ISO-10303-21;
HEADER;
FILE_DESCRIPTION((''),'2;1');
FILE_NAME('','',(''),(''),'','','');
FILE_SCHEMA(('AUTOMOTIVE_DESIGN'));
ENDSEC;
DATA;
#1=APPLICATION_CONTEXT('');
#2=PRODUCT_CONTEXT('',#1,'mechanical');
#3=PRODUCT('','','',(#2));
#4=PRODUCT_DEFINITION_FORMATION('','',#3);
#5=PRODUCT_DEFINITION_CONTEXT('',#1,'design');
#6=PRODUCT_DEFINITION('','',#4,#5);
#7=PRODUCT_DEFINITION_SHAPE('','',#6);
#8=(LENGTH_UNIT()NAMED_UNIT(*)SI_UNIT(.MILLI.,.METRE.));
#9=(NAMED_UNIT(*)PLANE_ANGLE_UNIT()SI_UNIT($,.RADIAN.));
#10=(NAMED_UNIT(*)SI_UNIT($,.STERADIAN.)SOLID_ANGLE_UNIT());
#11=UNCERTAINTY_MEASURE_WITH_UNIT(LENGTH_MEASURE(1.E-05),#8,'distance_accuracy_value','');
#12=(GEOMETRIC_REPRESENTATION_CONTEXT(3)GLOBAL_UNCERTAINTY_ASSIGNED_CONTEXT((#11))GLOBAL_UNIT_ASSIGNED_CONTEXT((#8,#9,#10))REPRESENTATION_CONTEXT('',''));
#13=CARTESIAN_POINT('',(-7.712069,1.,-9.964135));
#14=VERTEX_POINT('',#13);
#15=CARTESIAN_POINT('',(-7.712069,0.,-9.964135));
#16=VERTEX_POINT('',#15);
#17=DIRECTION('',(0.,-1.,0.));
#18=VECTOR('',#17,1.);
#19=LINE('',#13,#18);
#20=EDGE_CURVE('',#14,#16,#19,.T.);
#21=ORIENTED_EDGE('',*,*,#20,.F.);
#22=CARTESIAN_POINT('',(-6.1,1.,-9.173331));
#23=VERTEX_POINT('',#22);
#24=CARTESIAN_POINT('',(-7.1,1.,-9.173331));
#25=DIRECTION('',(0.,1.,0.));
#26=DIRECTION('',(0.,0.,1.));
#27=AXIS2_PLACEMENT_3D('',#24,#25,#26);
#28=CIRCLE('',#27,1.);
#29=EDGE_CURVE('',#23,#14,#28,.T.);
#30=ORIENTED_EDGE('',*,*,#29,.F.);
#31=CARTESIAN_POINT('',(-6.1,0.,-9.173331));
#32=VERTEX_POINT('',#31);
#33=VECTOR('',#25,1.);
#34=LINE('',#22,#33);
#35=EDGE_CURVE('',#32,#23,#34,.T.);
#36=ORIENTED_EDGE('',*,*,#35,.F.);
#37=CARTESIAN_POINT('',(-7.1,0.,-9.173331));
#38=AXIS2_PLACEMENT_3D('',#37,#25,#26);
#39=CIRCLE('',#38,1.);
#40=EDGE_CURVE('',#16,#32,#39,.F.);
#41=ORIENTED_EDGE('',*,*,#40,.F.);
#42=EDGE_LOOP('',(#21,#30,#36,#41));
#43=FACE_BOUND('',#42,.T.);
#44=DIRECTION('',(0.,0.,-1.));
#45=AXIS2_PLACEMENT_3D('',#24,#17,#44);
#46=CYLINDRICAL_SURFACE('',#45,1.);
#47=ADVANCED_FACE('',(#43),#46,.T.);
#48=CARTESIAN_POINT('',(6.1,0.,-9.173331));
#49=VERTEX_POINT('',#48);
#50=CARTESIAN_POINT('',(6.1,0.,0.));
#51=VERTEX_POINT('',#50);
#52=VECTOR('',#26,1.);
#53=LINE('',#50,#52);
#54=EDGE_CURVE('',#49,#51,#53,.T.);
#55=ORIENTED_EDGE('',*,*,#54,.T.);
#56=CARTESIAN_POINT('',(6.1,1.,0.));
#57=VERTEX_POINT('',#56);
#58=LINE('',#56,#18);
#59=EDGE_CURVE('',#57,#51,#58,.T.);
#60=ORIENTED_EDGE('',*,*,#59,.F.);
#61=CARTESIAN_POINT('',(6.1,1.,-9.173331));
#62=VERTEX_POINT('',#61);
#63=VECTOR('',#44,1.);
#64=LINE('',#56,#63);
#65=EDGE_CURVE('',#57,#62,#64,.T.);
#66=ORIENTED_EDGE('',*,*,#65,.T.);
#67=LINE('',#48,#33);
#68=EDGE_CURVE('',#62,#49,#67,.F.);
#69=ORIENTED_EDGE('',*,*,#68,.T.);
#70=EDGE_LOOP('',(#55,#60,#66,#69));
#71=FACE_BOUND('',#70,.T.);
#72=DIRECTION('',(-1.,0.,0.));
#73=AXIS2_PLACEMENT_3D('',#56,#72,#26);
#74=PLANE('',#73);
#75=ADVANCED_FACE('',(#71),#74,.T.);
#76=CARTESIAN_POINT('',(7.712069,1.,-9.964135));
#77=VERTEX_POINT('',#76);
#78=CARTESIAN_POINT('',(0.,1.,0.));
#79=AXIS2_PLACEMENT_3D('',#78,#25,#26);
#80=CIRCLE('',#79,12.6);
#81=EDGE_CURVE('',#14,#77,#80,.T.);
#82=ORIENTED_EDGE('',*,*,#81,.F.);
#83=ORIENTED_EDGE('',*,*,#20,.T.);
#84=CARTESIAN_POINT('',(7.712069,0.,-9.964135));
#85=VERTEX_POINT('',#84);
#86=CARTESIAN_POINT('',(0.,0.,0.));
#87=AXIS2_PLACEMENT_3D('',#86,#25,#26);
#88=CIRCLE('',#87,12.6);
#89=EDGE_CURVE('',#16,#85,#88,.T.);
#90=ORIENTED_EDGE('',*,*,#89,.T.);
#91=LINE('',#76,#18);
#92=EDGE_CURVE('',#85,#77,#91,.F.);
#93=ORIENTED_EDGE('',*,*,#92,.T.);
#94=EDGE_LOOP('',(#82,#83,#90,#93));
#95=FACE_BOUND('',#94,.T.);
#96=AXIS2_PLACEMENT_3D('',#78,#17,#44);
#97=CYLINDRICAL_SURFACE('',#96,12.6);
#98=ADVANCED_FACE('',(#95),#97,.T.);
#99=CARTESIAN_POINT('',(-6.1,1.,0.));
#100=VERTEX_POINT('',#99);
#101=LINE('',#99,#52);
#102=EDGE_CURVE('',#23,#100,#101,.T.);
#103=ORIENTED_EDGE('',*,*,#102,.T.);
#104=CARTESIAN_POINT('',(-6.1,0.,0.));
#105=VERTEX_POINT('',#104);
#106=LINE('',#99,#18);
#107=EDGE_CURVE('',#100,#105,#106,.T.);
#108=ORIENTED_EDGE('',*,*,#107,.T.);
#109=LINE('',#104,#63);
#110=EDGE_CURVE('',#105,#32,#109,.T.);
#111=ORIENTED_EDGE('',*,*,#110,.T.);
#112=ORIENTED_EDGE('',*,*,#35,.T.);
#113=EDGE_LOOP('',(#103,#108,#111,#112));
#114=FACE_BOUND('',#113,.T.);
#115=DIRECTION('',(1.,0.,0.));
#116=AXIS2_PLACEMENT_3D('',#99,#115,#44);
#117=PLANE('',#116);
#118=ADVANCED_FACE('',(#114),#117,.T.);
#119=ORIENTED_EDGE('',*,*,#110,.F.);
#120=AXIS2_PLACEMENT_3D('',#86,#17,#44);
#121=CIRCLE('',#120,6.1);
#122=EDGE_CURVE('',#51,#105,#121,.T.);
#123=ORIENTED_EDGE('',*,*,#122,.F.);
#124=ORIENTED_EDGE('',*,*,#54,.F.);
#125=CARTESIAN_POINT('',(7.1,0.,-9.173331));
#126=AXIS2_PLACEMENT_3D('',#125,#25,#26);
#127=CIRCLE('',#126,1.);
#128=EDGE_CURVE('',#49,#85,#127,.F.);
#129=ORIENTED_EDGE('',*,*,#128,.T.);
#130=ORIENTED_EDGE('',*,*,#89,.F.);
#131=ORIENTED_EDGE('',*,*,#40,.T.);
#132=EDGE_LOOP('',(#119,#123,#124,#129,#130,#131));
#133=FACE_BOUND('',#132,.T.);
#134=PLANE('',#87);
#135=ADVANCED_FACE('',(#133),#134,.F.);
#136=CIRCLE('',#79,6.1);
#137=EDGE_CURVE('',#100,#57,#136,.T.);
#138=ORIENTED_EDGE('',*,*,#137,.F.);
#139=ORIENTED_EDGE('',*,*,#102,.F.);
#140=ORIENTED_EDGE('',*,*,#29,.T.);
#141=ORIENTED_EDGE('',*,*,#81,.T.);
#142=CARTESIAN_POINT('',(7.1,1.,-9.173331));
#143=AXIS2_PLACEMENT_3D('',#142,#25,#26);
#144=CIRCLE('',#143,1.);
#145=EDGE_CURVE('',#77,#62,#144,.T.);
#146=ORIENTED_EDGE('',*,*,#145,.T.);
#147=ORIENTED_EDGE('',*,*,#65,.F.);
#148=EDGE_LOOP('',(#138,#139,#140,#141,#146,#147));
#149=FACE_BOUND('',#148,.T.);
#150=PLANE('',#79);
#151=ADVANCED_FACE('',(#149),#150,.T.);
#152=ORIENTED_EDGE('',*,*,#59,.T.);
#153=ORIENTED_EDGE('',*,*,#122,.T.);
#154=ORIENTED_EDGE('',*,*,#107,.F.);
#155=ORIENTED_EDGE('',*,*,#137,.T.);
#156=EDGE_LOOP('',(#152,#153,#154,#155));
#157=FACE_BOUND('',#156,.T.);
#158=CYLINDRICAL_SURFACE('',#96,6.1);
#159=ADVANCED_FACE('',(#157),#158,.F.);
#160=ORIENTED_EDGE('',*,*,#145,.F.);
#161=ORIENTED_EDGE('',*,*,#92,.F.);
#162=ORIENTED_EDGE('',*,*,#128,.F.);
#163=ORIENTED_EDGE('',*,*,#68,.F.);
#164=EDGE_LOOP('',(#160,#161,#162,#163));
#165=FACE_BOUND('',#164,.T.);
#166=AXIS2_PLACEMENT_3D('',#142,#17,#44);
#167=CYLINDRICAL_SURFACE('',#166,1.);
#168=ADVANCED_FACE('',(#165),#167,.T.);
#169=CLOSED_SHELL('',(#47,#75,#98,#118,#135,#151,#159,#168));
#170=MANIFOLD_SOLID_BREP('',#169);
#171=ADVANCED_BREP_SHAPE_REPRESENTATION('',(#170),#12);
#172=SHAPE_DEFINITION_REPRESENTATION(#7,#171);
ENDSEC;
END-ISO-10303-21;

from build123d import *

# Parameters (mm, degrees)
SKETCH1_R               = 12.6
BOSS_EXTRUDE1_DEPTH     = 1
CUT_EXTRUDE4_DEPTH      = 18.847128621
CUT_EXTRUDE4_DEPTH_BACK = 18.847128621
FILLET1_R               = 1


with BuildPart() as part:
    # Sketch1 → Boss-Extrude1 (new body)
    with BuildSketch(Plane(origin=(0, 0, 0), x_dir=(1, 0, 0), z_dir=(0, 1, 0))):
        with Locations(Location((0, 0, 0), (0, 0, 270))):
            Circle(SKETCH1_R)
    extrude(amount=BOSS_EXTRUDE1_DEPTH)

    # Sketch2 → Cut-Extrude4 (cut, two sides: drawn at the far end of the back side and taken through both)
    with BuildSketch(Plane(origin=(0, 0, 0), x_dir=(1, 0, 0), z_dir=(0, 1, 0)).offset(-CUT_EXTRUDE4_DEPTH_BACK)):
        with BuildLine():
            Line((-6.1, 0), (-6.1, 13.442202198))
            ThreePointArc((-6.1, 13.442202198), (0, 19.542202198), (6.1, 13.442202198))
            Line((6.1, 13.442202198), (6.1, 0))
            ThreePointArc((6.1, 0), (0, -6.1), (-6.1, 0))
        make_face()
    extrude(amount=CUT_EXTRUDE4_DEPTH + CUT_EXTRUDE4_DEPTH_BACK, mode=Mode.SUBTRACT)

    # Fillet1
    fillet1_edges = [part.edges().sort_by_distance(p)[0] for p in [
        (6.1, 0.5, -11.024971655),
        (-6.1, 0.5, -11.024971655),
    ]]
    fillet(fillet1_edges, radius=FILLET1_R)


solid = part.part
